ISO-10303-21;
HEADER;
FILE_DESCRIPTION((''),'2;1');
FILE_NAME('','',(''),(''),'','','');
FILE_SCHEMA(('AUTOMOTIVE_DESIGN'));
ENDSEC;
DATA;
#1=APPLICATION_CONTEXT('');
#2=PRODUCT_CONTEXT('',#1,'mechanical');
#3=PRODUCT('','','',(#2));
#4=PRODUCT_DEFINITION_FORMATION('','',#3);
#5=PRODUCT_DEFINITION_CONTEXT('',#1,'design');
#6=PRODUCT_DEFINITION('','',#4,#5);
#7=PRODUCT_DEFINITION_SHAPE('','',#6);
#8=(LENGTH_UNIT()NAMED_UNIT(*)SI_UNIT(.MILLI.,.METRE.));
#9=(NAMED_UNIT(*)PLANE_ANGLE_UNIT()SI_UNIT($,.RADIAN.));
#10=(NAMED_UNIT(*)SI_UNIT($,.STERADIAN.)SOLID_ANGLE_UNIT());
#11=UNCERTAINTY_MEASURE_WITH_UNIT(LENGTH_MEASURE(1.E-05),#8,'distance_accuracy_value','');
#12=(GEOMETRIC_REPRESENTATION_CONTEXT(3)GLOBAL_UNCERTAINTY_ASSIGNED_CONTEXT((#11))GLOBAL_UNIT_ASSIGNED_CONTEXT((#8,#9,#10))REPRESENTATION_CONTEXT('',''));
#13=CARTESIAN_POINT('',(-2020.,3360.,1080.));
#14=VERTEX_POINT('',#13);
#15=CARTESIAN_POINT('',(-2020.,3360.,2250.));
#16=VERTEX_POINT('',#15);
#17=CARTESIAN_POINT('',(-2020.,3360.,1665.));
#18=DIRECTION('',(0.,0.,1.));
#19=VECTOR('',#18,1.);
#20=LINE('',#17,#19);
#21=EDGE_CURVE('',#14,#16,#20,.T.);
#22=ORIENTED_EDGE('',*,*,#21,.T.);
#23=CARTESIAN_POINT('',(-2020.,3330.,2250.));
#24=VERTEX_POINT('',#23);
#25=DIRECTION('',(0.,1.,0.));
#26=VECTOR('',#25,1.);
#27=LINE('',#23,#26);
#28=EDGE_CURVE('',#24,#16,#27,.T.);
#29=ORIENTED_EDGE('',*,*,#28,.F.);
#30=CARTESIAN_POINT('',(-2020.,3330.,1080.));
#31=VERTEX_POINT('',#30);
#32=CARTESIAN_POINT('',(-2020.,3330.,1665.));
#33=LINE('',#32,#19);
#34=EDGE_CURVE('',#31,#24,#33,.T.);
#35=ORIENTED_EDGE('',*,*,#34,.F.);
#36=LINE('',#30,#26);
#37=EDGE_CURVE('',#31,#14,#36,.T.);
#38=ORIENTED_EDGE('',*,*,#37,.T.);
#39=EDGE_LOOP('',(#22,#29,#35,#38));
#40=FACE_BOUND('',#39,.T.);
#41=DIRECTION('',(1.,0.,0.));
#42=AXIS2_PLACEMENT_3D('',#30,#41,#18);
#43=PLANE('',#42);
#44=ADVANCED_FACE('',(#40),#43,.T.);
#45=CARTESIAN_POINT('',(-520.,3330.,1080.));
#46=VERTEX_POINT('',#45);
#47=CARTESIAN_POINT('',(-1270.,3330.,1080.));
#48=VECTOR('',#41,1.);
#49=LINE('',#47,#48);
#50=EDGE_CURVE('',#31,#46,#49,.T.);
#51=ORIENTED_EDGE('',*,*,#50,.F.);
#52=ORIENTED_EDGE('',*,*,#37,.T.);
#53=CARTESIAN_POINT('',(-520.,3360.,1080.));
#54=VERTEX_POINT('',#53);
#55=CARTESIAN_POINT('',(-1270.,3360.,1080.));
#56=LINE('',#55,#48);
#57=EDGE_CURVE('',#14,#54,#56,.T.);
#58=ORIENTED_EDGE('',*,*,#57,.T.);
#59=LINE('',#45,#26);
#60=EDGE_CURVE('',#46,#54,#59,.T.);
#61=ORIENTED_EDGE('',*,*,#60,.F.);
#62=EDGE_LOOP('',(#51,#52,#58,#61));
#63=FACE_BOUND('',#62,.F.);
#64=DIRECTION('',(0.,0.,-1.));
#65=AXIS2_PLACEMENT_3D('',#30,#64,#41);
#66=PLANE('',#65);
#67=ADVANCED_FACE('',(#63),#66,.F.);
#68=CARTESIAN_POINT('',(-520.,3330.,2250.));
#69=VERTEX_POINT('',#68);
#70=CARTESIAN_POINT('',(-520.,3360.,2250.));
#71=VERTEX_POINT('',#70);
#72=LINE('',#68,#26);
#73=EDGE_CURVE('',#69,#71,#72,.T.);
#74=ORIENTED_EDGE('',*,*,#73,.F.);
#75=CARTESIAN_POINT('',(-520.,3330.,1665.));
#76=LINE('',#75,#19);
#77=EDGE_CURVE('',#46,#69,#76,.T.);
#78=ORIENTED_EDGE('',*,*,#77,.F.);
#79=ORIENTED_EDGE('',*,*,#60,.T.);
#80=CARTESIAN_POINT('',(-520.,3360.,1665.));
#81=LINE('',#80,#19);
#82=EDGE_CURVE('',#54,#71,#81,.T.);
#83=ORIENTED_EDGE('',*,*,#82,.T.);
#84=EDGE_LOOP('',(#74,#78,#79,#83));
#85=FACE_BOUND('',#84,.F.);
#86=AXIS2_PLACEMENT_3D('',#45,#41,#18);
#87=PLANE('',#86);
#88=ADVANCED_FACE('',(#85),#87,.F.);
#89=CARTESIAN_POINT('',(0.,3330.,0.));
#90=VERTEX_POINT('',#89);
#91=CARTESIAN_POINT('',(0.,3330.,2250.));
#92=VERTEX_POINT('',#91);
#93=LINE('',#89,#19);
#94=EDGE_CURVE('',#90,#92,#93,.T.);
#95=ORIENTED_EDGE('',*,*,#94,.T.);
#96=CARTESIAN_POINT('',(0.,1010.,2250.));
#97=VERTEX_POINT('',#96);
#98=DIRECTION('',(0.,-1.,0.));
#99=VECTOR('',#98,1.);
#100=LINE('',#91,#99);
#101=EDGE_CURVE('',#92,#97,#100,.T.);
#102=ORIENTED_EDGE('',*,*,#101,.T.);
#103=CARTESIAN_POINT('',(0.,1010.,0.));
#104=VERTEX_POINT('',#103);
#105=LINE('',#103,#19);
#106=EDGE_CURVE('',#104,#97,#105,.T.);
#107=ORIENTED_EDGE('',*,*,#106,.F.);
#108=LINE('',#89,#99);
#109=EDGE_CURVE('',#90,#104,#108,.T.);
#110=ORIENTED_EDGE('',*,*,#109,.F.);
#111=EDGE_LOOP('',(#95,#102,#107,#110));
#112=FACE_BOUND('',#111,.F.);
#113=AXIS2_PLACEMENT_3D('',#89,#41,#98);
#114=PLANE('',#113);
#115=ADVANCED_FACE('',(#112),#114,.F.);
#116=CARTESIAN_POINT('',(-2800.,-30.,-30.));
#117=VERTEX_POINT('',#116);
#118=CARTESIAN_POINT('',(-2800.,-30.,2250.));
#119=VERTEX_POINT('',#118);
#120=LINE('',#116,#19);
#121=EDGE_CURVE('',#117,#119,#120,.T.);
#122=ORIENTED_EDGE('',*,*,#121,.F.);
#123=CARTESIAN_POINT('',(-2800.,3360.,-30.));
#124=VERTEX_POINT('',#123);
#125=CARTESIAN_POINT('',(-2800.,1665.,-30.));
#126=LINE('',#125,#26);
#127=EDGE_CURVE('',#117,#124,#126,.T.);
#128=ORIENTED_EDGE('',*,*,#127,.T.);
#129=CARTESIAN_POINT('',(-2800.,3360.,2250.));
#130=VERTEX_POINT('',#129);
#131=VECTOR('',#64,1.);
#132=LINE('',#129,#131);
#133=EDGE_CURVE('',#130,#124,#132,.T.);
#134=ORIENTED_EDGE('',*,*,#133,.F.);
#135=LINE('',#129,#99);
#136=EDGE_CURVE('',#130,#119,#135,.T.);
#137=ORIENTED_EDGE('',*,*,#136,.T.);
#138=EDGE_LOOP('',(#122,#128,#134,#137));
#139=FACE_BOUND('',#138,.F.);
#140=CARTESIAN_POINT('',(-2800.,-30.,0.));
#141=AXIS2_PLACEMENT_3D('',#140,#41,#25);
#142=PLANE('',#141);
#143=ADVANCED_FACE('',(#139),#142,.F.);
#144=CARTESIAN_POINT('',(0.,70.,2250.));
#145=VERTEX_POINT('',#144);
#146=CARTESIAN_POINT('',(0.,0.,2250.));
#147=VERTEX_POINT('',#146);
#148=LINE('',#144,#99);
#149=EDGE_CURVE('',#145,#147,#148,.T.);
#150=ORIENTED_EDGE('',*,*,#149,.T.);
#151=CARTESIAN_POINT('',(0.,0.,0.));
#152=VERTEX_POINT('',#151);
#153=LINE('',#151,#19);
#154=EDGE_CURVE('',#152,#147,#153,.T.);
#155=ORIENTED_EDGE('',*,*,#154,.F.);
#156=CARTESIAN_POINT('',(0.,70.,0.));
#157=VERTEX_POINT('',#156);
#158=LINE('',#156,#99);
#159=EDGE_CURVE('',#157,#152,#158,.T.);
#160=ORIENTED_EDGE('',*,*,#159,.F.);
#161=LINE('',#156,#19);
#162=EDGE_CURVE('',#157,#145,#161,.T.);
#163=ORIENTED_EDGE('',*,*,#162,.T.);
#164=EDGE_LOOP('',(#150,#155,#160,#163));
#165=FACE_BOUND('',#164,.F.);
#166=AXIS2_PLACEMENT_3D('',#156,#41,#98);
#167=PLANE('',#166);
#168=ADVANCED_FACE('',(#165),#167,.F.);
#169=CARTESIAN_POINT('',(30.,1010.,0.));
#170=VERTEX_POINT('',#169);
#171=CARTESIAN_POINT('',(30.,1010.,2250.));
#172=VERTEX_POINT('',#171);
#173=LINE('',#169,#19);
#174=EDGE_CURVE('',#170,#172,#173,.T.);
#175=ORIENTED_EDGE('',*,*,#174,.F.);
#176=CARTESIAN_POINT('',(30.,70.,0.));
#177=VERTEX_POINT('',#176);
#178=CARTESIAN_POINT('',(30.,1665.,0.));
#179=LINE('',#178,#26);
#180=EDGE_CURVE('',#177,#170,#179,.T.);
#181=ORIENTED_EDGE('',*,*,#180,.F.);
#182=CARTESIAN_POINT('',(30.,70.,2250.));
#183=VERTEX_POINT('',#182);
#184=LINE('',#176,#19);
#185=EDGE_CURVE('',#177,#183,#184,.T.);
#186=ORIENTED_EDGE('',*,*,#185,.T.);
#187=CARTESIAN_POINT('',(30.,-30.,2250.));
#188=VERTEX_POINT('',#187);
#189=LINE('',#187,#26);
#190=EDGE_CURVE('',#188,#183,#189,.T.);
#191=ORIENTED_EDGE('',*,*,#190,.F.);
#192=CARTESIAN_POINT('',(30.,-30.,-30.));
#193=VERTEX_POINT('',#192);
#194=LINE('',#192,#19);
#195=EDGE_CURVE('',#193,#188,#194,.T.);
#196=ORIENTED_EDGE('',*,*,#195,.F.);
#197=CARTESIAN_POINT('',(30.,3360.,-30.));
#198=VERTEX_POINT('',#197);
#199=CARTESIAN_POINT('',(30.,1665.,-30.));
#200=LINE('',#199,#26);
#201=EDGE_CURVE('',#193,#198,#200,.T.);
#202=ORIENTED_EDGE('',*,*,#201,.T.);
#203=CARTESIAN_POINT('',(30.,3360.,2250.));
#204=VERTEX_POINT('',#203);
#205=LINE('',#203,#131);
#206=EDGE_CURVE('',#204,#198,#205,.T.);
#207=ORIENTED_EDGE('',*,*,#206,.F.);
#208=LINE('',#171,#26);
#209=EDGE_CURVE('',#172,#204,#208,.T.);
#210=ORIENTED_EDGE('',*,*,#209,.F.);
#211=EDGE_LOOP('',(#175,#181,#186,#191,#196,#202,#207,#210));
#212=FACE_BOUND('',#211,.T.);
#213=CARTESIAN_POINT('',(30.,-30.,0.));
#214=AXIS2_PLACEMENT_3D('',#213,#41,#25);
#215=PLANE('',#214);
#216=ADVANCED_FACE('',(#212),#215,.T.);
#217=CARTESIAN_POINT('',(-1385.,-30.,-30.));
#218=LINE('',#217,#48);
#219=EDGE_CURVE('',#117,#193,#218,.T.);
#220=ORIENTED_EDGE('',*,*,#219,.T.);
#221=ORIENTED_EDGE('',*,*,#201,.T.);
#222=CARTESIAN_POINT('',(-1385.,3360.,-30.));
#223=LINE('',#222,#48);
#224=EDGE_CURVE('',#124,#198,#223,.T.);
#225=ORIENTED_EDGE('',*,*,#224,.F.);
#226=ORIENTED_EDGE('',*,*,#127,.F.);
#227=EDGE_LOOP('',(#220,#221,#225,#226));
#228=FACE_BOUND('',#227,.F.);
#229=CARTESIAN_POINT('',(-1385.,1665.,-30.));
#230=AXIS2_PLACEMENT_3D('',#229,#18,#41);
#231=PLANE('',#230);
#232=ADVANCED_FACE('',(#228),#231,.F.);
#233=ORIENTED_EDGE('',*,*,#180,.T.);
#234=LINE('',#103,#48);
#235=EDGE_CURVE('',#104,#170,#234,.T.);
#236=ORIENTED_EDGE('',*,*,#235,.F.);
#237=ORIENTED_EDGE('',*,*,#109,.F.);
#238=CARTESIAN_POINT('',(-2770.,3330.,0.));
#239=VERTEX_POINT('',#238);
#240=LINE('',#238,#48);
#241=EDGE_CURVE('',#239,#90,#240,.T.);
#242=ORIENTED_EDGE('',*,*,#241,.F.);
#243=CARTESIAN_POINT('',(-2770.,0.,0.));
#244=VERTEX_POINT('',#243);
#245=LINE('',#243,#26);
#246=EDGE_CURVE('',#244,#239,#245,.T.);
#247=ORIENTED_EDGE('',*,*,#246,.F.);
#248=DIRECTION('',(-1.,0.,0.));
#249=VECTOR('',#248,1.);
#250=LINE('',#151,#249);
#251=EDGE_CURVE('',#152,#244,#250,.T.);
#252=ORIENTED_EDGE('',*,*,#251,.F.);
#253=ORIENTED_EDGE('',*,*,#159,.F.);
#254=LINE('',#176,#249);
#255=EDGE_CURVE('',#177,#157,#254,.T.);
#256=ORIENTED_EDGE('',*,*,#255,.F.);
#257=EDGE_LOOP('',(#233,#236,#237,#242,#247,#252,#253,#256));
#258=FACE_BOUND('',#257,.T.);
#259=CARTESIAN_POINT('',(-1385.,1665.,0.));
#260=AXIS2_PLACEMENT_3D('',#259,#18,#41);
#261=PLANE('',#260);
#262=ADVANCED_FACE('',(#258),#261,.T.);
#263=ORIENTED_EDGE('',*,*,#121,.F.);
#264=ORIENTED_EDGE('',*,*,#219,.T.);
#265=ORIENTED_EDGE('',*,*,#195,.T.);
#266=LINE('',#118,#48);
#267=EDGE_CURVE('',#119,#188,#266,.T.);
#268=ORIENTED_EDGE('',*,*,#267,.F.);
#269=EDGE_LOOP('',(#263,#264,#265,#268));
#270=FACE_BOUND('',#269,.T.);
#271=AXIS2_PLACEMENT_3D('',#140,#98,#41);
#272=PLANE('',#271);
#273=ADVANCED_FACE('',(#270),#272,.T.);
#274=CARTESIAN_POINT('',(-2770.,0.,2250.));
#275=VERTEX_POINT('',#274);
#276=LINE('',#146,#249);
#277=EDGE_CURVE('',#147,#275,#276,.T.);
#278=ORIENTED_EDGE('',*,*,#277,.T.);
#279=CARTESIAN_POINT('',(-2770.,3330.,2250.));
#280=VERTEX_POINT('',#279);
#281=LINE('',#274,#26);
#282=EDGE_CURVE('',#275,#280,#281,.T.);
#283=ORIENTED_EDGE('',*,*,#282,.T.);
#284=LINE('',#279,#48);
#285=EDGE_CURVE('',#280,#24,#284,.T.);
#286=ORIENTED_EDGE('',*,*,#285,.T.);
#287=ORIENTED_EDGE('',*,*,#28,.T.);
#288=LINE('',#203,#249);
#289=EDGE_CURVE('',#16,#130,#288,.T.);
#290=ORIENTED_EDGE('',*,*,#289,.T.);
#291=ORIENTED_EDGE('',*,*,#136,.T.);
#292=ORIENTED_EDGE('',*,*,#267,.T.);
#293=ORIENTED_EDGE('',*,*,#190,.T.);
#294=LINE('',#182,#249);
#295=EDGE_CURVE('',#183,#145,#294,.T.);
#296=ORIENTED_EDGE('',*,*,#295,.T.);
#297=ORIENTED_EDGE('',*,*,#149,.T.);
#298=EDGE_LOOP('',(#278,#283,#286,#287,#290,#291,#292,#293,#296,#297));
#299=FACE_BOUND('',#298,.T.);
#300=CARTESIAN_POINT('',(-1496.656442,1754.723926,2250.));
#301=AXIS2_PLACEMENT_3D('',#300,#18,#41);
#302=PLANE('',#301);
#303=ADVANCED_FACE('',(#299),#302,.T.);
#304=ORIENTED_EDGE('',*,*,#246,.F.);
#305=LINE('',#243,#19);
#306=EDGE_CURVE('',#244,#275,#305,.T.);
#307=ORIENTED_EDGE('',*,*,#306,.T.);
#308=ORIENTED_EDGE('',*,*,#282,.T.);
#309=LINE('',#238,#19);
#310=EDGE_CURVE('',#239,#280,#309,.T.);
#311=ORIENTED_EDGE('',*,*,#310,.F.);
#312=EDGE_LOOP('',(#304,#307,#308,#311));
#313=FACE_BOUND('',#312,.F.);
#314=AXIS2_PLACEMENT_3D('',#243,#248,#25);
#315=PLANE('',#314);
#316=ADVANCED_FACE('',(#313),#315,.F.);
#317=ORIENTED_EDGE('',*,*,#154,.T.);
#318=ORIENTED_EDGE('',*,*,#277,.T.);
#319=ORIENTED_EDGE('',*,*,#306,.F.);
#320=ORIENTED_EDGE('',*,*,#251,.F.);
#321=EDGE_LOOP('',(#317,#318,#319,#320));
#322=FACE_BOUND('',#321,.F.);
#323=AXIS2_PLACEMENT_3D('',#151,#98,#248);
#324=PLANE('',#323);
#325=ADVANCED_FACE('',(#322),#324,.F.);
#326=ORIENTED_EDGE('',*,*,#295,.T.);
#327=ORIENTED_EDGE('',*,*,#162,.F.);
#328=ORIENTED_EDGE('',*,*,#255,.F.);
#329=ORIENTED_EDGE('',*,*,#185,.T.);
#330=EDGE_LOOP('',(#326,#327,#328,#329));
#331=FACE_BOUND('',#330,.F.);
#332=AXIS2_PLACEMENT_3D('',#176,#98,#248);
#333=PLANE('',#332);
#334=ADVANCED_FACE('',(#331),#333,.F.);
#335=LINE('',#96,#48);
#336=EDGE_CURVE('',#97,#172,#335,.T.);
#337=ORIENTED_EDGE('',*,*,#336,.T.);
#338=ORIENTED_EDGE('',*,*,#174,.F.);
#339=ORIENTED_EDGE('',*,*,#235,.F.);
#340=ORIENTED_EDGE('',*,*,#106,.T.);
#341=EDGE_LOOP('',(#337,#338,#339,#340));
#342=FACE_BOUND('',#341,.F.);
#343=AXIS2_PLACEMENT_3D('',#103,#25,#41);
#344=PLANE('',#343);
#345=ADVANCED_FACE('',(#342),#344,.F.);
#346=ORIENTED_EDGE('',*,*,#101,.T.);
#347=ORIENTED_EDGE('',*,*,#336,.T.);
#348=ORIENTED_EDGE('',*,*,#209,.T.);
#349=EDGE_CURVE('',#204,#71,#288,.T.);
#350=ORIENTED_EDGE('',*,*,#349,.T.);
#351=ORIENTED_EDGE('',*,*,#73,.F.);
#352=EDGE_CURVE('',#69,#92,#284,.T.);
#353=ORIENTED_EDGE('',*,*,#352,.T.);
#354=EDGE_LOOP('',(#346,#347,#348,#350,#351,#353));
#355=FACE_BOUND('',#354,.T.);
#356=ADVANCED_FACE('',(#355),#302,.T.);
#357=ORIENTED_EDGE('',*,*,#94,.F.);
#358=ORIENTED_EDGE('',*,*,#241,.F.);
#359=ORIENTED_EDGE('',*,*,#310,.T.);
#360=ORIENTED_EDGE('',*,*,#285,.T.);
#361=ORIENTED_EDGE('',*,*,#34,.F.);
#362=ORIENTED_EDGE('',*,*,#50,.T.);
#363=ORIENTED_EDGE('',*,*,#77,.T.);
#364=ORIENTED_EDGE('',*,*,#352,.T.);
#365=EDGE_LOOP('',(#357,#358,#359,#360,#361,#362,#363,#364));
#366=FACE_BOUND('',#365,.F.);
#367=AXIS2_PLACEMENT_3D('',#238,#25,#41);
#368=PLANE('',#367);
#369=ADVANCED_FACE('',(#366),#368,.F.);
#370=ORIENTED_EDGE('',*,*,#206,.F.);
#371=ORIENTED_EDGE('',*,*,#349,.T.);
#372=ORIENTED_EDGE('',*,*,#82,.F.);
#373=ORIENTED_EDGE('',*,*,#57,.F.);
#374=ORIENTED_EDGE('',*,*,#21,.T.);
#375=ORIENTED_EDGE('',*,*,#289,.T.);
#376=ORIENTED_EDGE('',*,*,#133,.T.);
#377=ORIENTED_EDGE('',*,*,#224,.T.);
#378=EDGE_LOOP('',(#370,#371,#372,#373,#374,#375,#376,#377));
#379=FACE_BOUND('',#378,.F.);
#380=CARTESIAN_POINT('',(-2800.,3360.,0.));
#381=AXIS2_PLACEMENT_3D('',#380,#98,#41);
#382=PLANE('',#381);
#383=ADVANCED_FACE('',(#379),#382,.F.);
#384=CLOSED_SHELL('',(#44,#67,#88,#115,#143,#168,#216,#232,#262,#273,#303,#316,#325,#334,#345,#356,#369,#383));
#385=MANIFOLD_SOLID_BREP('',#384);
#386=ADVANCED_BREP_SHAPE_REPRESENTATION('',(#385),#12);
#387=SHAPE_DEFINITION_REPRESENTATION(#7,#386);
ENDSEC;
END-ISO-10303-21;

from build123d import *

# Parameters (mm, degrees)
F1_DEPTH = 2250
F2_W     = 2830
F2_H     = 3390
F3_DEPTH = 30
F4_W     = 1500
F4_H     = 1170
F5_DEPTH = 30


with BuildPart() as f1:
    # F0 (on Top) → F1 (new body)
    with BuildSketch(Plane.XY):
        Polygon((0, 70), (0, 0), (-2770, 0), (-2770, 3330), (0, 3330), (0, 1010), (30, 1010), (30, 3360), (-2800, 3360), (-2800, -30), (30, -30), (30, 70), align=None)
    extrude(amount=F1_DEPTH)

    # F2 (on Top) → F3 (join)
    with BuildSketch(Plane.XY):
        with Locations((-1385, 1665)):
            Rectangle(F2_W, F2_H)
    extrude(amount=-F3_DEPTH)

    # F4 (on face) → F5 (cut, through all)
    with BuildSketch(Plane.XZ.offset(-3330)):
        with Locations((-1270, 1665)):
            Rectangle(F4_W, F4_H)
    extrude(amount=-F5_DEPTH, mode=Mode.SUBTRACT)


solid = f1.part
